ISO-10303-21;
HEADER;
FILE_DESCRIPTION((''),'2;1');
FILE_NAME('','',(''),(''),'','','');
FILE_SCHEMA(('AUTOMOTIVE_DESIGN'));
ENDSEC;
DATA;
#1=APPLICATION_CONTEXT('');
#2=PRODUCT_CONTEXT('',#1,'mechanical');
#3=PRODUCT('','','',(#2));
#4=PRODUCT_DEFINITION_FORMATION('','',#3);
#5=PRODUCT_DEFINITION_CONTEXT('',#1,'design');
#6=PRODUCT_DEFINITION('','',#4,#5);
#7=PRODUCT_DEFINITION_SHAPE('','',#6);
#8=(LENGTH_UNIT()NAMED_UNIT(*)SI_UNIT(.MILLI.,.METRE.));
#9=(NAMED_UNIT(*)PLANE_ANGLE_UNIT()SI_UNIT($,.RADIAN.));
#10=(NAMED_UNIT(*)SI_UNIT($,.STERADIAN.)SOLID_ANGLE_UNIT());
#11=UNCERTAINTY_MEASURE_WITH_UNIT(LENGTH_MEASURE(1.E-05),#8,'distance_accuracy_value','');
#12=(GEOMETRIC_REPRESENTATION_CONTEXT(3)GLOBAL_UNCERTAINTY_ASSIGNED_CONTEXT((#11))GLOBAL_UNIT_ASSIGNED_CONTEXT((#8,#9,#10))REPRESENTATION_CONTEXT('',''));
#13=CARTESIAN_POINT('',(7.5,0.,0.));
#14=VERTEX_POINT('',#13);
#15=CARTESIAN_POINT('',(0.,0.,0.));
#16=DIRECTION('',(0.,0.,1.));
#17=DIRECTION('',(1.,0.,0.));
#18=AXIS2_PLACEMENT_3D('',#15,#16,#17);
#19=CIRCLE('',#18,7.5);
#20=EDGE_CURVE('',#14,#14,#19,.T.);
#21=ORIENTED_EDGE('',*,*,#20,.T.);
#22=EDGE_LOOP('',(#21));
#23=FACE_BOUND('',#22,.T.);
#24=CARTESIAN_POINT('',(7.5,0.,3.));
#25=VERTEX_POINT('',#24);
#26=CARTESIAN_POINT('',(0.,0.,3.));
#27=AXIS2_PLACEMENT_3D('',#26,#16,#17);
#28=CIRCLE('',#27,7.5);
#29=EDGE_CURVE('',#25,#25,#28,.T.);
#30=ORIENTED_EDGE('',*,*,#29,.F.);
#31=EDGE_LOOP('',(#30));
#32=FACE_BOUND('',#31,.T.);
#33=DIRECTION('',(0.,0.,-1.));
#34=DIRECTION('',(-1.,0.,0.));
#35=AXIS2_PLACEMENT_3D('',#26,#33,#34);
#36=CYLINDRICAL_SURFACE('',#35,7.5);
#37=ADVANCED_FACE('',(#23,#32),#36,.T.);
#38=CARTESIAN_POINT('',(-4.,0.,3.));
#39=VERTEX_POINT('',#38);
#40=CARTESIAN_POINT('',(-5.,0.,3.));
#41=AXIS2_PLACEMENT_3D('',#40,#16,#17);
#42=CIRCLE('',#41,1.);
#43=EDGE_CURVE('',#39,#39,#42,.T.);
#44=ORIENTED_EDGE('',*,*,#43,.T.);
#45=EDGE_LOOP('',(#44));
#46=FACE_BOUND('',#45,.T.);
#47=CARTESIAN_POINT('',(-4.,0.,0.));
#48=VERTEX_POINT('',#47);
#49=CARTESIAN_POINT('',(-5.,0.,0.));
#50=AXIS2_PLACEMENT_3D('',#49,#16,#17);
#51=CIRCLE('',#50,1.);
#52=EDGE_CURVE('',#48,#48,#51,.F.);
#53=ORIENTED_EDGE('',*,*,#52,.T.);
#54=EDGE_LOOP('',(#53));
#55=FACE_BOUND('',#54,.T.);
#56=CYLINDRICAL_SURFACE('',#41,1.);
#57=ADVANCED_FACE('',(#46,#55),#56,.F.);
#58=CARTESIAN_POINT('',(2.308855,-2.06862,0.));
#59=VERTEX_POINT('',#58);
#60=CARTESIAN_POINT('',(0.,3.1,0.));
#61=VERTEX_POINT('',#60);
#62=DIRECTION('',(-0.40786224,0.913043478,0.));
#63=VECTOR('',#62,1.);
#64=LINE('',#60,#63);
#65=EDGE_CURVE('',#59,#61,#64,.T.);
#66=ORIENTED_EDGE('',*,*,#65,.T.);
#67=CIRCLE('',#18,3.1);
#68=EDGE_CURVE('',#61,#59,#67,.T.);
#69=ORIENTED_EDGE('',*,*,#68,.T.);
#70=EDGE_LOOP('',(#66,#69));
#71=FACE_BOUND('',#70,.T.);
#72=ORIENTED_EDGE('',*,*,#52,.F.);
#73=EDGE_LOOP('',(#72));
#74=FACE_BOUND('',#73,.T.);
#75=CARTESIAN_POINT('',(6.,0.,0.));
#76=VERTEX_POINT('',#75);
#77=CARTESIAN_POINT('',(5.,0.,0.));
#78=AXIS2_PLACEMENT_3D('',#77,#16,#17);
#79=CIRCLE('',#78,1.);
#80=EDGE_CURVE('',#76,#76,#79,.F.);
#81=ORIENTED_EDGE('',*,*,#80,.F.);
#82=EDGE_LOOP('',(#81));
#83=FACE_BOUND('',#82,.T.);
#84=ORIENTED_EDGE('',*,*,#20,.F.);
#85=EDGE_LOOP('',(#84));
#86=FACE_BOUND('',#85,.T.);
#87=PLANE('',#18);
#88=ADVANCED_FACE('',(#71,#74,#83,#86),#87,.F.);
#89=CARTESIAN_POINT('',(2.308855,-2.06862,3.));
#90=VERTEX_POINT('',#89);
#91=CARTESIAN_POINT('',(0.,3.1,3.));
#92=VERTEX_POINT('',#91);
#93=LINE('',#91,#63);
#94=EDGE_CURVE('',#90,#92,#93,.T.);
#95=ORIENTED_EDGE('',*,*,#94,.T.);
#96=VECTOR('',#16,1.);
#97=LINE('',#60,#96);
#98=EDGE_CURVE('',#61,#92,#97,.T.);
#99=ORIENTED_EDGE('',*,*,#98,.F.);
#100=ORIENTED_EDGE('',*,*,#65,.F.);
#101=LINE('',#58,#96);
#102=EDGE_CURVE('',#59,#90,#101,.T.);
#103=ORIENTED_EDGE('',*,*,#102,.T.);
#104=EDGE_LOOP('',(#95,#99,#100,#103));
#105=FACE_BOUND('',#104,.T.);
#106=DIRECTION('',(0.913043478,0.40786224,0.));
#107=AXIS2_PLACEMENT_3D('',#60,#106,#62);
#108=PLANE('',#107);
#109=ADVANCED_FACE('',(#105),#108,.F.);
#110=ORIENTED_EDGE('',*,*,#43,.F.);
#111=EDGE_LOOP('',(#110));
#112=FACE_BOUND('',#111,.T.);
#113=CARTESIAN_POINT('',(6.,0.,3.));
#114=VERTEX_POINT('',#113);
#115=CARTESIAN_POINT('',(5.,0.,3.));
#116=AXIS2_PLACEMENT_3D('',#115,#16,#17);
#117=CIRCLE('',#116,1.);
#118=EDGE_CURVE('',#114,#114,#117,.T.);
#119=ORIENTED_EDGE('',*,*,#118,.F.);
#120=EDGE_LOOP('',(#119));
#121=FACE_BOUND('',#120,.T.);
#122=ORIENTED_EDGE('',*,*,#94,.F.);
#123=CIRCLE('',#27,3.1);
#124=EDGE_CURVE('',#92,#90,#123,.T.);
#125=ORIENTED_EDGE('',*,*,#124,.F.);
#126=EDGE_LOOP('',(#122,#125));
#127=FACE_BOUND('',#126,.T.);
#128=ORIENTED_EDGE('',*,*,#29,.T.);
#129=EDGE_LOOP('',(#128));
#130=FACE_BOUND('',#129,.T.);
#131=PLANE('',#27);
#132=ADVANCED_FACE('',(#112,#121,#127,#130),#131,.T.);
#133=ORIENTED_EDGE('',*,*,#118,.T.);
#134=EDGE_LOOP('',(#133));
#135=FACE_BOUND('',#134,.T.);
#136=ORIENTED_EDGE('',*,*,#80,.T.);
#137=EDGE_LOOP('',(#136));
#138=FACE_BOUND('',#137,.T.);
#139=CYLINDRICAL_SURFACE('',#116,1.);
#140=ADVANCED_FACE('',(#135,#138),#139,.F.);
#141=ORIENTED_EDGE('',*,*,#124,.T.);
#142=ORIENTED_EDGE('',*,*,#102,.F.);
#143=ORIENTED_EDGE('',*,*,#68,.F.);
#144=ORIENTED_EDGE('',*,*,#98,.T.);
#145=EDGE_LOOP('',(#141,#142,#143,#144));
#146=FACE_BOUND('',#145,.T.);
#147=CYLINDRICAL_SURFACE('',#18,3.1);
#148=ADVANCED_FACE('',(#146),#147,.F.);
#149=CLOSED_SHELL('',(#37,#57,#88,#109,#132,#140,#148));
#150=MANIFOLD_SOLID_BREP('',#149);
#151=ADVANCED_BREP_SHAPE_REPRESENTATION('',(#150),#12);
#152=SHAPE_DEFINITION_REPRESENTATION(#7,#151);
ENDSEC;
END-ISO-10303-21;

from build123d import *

# Parameters (mm, degrees)
SKETCH1_R             = 7.5
BOSS_EXTRUDE1_DEPTH   = 3
CUT_EXTRUDE1_DEPTH    = 3
F_2_0MM_DOWEL_HOLE1_D = 2


with BuildPart() as part:
    # Sketch1 → Boss-Extrude1 (new body)
    with BuildSketch(Plane.XY):
        Circle(SKETCH1_R)
    extrude(amount=BOSS_EXTRUDE1_DEPTH)

    # Sketch2 → Cut-Extrude1 (cut)
    with BuildSketch(Plane.XY.offset(3)):
        with BuildLine():
            Line((0, 3.1), (2.308854941, -2.068620038))
            ThreePointArc((2.308854941, -2.068620038), (-2.830434783, -1.264372944), (0, 3.1))
        make_face()
    extrude(amount=-CUT_EXTRUDE1_DEPTH, mode=Mode.SUBTRACT)

    # Ø2.0mm Dowel Hole1 (through all)
    with Locations(Plane.XY.offset(3)):
        with Locations((-5, 0), (5, 0)):
            Hole(F_2_0MM_DOWEL_HOLE1_D / 2)


solid = part.part
